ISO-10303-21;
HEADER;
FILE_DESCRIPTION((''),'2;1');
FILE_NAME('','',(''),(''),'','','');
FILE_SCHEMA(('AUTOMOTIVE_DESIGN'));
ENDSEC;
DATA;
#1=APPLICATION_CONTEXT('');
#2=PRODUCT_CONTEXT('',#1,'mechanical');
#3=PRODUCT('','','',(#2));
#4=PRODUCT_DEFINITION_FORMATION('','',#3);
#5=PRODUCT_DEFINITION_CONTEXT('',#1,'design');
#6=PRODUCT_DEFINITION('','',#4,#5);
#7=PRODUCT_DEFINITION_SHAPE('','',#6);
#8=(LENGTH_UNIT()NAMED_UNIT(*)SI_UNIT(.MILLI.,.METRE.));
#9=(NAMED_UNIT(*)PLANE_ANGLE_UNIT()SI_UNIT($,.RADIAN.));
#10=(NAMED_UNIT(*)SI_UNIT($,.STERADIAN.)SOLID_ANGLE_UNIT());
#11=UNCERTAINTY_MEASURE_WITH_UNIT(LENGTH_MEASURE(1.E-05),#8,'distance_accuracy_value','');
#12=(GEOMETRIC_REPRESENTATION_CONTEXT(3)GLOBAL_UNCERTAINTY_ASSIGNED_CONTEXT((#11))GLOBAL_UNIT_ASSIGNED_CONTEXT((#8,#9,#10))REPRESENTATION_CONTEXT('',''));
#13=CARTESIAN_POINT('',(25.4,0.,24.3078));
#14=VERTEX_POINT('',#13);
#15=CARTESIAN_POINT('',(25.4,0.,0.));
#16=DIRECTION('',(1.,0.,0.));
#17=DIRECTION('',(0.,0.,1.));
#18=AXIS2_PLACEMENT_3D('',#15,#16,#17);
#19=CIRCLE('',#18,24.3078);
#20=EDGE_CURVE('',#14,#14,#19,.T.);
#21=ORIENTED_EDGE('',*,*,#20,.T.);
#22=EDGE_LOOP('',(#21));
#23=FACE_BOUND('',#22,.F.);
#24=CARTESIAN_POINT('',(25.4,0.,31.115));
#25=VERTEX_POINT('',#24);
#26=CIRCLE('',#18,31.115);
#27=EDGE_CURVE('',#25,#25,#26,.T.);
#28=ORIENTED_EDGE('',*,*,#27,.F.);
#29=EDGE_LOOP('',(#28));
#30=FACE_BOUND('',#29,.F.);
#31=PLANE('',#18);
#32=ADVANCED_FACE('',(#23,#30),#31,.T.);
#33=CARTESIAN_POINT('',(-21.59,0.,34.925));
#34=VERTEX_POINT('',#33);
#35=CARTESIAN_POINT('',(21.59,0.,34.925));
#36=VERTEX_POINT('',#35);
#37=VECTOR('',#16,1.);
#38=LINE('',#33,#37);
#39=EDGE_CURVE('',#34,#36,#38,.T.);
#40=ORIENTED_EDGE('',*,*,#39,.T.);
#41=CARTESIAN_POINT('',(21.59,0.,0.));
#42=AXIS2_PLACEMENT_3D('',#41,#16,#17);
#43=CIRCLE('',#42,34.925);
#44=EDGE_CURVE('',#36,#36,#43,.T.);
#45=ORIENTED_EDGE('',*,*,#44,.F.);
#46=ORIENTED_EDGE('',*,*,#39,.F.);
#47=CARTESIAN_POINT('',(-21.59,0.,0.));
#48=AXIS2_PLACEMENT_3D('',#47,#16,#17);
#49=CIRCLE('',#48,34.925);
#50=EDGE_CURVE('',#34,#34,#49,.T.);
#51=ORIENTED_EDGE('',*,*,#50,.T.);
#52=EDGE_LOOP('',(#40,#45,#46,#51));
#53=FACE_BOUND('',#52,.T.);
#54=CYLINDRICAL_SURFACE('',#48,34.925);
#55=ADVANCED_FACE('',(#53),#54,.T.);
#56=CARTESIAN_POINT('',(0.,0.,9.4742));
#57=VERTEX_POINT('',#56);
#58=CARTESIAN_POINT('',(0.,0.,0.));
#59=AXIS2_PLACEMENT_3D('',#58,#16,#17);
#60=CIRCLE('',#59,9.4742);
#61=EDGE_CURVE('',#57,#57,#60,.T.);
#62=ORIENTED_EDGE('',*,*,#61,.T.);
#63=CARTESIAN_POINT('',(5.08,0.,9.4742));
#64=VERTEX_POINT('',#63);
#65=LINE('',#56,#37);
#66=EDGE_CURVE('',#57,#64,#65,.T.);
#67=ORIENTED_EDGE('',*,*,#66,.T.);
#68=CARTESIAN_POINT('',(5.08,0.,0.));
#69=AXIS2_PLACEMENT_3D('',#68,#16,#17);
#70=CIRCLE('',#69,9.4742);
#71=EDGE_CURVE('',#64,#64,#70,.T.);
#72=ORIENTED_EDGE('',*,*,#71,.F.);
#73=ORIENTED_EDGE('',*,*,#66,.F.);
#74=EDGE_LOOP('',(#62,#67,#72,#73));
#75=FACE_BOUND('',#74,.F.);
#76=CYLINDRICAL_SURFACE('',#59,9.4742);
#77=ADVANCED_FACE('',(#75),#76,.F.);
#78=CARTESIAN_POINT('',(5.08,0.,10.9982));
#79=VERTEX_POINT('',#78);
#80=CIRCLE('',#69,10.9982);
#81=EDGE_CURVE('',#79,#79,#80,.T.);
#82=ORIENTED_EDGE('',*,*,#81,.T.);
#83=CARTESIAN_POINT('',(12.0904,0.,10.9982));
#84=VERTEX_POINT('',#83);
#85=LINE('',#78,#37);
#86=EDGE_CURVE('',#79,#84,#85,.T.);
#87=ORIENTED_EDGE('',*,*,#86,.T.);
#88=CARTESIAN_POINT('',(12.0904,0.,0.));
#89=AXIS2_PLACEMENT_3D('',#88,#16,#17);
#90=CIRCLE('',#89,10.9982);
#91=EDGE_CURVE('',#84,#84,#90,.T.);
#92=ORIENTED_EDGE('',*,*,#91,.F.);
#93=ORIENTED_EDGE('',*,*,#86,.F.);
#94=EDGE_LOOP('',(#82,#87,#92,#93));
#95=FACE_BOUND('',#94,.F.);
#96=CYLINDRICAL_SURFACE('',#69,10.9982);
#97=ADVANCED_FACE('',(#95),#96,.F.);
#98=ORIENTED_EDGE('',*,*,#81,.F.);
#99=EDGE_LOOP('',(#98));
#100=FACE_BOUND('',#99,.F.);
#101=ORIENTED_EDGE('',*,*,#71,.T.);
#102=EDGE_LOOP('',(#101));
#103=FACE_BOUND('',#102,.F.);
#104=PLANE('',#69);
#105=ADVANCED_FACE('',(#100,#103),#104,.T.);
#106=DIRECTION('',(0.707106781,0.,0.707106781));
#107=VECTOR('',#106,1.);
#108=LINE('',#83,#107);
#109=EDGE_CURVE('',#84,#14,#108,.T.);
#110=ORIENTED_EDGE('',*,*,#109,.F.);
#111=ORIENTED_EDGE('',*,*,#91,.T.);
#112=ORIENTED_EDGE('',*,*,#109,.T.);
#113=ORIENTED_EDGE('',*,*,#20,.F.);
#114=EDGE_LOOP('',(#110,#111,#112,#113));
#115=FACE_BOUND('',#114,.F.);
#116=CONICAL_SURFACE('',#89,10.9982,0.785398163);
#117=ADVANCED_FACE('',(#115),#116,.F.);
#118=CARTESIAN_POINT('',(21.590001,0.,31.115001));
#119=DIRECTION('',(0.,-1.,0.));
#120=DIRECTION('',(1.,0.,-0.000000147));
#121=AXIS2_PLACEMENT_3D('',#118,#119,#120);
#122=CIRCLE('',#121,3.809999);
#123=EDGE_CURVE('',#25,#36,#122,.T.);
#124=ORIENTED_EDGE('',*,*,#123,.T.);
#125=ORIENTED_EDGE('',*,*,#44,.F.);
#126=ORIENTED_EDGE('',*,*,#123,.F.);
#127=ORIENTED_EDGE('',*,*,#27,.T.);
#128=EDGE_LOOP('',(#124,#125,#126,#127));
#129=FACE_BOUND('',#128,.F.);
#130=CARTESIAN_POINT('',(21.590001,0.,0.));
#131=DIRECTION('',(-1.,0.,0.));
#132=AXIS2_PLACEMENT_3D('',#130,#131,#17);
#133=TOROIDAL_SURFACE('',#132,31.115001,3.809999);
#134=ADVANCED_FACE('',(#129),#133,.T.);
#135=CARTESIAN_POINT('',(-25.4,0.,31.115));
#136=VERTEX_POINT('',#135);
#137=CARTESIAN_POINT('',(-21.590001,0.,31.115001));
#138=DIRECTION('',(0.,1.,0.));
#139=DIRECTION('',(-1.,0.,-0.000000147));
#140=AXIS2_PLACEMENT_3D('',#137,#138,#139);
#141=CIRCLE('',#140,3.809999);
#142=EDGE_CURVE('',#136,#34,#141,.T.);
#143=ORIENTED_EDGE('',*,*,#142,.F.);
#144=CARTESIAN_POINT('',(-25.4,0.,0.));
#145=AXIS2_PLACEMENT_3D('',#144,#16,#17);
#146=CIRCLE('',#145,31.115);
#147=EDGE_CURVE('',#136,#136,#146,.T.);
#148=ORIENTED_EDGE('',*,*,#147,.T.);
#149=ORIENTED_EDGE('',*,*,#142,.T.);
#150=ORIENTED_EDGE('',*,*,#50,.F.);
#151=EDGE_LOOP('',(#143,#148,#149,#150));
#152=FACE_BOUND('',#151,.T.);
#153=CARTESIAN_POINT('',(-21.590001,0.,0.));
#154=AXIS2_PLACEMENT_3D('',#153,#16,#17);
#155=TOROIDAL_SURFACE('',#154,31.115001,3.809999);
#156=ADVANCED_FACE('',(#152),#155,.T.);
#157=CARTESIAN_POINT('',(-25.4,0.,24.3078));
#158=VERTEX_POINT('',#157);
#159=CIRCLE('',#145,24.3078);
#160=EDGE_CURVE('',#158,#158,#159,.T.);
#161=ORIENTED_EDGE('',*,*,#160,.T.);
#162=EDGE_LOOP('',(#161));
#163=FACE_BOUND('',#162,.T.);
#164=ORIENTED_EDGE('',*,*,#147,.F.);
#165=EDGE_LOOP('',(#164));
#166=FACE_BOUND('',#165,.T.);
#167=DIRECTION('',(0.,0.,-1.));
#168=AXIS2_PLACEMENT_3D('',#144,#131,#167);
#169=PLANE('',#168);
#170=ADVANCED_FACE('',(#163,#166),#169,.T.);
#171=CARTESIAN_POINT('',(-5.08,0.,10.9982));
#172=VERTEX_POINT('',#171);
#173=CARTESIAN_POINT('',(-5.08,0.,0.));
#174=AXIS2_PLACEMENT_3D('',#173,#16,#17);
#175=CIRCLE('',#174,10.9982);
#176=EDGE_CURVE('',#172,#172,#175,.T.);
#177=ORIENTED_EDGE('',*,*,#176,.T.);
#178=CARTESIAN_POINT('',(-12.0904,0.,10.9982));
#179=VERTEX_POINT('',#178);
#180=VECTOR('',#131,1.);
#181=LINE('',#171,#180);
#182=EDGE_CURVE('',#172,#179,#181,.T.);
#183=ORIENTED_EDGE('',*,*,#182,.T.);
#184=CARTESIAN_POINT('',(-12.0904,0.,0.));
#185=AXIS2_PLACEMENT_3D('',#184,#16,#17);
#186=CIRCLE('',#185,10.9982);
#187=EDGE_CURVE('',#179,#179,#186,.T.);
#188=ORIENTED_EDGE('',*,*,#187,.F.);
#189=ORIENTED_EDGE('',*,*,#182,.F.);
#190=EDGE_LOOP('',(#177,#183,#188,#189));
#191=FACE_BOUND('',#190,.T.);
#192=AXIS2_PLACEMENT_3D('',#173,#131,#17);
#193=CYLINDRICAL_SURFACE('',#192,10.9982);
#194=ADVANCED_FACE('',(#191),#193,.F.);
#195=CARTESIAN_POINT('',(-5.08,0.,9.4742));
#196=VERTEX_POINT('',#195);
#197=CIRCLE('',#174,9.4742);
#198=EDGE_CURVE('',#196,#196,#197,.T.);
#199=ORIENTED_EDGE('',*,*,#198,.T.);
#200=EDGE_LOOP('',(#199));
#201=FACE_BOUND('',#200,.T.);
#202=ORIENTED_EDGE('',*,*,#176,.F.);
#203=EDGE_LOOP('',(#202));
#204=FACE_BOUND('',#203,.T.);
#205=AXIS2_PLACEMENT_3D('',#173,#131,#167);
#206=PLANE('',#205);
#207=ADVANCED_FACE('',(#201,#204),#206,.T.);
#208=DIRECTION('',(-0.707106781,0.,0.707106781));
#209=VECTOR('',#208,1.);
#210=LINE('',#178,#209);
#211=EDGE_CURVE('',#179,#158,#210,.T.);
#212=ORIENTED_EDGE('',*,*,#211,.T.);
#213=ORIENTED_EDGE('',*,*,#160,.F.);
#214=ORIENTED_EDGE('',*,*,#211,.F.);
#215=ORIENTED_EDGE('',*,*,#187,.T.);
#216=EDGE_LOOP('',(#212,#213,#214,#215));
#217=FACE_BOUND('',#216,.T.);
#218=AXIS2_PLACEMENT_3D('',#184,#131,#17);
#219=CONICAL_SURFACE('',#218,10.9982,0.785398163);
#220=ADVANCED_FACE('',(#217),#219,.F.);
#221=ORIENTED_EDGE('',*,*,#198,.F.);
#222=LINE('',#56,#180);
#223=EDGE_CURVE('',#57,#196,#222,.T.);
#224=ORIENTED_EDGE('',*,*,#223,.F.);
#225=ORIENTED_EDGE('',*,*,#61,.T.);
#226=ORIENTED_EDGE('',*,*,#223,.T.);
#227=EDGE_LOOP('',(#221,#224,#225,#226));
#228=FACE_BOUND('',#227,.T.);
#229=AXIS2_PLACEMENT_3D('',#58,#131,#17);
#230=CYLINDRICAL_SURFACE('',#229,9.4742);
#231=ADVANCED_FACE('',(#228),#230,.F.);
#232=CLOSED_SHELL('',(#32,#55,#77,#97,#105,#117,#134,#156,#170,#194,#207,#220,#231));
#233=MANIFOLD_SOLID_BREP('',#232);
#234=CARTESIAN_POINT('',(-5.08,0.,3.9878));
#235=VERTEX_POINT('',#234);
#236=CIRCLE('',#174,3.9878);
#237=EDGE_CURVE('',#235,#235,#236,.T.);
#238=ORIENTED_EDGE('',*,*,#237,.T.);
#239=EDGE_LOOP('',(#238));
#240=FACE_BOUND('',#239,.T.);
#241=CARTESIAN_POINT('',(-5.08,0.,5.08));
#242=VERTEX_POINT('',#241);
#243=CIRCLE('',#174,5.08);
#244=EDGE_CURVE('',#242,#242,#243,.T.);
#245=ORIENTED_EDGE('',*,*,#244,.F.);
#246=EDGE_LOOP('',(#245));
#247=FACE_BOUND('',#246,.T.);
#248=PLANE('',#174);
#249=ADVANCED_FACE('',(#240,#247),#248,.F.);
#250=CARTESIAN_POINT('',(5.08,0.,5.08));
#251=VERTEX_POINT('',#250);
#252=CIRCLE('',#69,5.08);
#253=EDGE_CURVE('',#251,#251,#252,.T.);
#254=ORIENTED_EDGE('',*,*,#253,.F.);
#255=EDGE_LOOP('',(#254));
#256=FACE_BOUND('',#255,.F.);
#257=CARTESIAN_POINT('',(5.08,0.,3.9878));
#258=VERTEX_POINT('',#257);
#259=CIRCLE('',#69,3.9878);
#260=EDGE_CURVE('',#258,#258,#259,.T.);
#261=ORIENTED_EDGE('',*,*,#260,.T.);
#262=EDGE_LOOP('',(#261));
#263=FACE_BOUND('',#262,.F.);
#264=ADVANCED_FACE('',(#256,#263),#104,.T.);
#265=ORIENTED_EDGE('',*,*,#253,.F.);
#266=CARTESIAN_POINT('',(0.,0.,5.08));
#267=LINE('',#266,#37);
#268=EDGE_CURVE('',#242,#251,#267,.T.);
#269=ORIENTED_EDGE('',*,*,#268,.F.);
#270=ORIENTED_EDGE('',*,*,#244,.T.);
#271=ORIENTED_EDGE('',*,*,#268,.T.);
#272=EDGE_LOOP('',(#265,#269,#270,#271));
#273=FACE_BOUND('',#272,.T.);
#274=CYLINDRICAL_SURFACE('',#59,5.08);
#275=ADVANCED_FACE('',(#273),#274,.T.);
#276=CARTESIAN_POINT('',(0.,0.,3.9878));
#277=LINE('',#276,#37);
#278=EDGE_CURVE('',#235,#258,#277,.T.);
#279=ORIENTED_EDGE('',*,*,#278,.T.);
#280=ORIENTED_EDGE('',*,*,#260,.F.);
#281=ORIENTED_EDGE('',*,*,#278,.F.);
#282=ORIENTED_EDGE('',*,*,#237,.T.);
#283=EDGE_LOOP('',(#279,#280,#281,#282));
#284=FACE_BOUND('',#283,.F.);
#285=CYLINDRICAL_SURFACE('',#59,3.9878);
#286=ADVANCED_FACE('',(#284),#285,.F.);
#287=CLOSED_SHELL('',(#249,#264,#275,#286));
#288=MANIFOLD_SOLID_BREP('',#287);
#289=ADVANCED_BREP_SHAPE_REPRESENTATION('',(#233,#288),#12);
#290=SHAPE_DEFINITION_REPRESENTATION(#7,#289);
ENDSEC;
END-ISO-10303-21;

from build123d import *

# Parameters (mm, degrees)
F3_W = 10.16
F3_H = 1.0922


with BuildPart() as f1:
    # F0 (on Front) → F1 (revolve)
    with BuildSketch(Plane.XZ):
        with BuildLine():
            Line((21.59, 34.925), (0, 34.925))
            Line((0, 34.925), (0, 9.4742))
            Line((0, 9.4742), (5.08, 9.4742))
            Line((5.08, 9.4742), (5.08, 10.9982))
            Line((5.08, 10.9982), (12.0904, 10.9982))
            Line((12.0904, 10.9982), (25.4, 24.3078))
            Line((25.4, 24.3078), (25.4, 31.115))
            ThreePointArc((25.4, 31.115), (24.284077, 33.809077), (21.59, 34.925))
        make_face()
    revolve(axis=Axis((8.604228, 0, 0), (1, 0, 0)))

    # F2: F1 across plane


with BuildPart() as f1_1:
    add(f1.part)
    add(f1.part.mirror(Plane.YZ))


with BuildPart() as f4:
    # F3 (on Front) → F4 (revolve)
    with BuildSketch(Plane.XZ):
        with Locations((0, 4.5339)):
            Rectangle(F3_W, F3_H)
    revolve(axis=Axis((8.604228, 0, 0), (1, 0, 0)))


solid = Compound([f1_1.part, f4.part])
